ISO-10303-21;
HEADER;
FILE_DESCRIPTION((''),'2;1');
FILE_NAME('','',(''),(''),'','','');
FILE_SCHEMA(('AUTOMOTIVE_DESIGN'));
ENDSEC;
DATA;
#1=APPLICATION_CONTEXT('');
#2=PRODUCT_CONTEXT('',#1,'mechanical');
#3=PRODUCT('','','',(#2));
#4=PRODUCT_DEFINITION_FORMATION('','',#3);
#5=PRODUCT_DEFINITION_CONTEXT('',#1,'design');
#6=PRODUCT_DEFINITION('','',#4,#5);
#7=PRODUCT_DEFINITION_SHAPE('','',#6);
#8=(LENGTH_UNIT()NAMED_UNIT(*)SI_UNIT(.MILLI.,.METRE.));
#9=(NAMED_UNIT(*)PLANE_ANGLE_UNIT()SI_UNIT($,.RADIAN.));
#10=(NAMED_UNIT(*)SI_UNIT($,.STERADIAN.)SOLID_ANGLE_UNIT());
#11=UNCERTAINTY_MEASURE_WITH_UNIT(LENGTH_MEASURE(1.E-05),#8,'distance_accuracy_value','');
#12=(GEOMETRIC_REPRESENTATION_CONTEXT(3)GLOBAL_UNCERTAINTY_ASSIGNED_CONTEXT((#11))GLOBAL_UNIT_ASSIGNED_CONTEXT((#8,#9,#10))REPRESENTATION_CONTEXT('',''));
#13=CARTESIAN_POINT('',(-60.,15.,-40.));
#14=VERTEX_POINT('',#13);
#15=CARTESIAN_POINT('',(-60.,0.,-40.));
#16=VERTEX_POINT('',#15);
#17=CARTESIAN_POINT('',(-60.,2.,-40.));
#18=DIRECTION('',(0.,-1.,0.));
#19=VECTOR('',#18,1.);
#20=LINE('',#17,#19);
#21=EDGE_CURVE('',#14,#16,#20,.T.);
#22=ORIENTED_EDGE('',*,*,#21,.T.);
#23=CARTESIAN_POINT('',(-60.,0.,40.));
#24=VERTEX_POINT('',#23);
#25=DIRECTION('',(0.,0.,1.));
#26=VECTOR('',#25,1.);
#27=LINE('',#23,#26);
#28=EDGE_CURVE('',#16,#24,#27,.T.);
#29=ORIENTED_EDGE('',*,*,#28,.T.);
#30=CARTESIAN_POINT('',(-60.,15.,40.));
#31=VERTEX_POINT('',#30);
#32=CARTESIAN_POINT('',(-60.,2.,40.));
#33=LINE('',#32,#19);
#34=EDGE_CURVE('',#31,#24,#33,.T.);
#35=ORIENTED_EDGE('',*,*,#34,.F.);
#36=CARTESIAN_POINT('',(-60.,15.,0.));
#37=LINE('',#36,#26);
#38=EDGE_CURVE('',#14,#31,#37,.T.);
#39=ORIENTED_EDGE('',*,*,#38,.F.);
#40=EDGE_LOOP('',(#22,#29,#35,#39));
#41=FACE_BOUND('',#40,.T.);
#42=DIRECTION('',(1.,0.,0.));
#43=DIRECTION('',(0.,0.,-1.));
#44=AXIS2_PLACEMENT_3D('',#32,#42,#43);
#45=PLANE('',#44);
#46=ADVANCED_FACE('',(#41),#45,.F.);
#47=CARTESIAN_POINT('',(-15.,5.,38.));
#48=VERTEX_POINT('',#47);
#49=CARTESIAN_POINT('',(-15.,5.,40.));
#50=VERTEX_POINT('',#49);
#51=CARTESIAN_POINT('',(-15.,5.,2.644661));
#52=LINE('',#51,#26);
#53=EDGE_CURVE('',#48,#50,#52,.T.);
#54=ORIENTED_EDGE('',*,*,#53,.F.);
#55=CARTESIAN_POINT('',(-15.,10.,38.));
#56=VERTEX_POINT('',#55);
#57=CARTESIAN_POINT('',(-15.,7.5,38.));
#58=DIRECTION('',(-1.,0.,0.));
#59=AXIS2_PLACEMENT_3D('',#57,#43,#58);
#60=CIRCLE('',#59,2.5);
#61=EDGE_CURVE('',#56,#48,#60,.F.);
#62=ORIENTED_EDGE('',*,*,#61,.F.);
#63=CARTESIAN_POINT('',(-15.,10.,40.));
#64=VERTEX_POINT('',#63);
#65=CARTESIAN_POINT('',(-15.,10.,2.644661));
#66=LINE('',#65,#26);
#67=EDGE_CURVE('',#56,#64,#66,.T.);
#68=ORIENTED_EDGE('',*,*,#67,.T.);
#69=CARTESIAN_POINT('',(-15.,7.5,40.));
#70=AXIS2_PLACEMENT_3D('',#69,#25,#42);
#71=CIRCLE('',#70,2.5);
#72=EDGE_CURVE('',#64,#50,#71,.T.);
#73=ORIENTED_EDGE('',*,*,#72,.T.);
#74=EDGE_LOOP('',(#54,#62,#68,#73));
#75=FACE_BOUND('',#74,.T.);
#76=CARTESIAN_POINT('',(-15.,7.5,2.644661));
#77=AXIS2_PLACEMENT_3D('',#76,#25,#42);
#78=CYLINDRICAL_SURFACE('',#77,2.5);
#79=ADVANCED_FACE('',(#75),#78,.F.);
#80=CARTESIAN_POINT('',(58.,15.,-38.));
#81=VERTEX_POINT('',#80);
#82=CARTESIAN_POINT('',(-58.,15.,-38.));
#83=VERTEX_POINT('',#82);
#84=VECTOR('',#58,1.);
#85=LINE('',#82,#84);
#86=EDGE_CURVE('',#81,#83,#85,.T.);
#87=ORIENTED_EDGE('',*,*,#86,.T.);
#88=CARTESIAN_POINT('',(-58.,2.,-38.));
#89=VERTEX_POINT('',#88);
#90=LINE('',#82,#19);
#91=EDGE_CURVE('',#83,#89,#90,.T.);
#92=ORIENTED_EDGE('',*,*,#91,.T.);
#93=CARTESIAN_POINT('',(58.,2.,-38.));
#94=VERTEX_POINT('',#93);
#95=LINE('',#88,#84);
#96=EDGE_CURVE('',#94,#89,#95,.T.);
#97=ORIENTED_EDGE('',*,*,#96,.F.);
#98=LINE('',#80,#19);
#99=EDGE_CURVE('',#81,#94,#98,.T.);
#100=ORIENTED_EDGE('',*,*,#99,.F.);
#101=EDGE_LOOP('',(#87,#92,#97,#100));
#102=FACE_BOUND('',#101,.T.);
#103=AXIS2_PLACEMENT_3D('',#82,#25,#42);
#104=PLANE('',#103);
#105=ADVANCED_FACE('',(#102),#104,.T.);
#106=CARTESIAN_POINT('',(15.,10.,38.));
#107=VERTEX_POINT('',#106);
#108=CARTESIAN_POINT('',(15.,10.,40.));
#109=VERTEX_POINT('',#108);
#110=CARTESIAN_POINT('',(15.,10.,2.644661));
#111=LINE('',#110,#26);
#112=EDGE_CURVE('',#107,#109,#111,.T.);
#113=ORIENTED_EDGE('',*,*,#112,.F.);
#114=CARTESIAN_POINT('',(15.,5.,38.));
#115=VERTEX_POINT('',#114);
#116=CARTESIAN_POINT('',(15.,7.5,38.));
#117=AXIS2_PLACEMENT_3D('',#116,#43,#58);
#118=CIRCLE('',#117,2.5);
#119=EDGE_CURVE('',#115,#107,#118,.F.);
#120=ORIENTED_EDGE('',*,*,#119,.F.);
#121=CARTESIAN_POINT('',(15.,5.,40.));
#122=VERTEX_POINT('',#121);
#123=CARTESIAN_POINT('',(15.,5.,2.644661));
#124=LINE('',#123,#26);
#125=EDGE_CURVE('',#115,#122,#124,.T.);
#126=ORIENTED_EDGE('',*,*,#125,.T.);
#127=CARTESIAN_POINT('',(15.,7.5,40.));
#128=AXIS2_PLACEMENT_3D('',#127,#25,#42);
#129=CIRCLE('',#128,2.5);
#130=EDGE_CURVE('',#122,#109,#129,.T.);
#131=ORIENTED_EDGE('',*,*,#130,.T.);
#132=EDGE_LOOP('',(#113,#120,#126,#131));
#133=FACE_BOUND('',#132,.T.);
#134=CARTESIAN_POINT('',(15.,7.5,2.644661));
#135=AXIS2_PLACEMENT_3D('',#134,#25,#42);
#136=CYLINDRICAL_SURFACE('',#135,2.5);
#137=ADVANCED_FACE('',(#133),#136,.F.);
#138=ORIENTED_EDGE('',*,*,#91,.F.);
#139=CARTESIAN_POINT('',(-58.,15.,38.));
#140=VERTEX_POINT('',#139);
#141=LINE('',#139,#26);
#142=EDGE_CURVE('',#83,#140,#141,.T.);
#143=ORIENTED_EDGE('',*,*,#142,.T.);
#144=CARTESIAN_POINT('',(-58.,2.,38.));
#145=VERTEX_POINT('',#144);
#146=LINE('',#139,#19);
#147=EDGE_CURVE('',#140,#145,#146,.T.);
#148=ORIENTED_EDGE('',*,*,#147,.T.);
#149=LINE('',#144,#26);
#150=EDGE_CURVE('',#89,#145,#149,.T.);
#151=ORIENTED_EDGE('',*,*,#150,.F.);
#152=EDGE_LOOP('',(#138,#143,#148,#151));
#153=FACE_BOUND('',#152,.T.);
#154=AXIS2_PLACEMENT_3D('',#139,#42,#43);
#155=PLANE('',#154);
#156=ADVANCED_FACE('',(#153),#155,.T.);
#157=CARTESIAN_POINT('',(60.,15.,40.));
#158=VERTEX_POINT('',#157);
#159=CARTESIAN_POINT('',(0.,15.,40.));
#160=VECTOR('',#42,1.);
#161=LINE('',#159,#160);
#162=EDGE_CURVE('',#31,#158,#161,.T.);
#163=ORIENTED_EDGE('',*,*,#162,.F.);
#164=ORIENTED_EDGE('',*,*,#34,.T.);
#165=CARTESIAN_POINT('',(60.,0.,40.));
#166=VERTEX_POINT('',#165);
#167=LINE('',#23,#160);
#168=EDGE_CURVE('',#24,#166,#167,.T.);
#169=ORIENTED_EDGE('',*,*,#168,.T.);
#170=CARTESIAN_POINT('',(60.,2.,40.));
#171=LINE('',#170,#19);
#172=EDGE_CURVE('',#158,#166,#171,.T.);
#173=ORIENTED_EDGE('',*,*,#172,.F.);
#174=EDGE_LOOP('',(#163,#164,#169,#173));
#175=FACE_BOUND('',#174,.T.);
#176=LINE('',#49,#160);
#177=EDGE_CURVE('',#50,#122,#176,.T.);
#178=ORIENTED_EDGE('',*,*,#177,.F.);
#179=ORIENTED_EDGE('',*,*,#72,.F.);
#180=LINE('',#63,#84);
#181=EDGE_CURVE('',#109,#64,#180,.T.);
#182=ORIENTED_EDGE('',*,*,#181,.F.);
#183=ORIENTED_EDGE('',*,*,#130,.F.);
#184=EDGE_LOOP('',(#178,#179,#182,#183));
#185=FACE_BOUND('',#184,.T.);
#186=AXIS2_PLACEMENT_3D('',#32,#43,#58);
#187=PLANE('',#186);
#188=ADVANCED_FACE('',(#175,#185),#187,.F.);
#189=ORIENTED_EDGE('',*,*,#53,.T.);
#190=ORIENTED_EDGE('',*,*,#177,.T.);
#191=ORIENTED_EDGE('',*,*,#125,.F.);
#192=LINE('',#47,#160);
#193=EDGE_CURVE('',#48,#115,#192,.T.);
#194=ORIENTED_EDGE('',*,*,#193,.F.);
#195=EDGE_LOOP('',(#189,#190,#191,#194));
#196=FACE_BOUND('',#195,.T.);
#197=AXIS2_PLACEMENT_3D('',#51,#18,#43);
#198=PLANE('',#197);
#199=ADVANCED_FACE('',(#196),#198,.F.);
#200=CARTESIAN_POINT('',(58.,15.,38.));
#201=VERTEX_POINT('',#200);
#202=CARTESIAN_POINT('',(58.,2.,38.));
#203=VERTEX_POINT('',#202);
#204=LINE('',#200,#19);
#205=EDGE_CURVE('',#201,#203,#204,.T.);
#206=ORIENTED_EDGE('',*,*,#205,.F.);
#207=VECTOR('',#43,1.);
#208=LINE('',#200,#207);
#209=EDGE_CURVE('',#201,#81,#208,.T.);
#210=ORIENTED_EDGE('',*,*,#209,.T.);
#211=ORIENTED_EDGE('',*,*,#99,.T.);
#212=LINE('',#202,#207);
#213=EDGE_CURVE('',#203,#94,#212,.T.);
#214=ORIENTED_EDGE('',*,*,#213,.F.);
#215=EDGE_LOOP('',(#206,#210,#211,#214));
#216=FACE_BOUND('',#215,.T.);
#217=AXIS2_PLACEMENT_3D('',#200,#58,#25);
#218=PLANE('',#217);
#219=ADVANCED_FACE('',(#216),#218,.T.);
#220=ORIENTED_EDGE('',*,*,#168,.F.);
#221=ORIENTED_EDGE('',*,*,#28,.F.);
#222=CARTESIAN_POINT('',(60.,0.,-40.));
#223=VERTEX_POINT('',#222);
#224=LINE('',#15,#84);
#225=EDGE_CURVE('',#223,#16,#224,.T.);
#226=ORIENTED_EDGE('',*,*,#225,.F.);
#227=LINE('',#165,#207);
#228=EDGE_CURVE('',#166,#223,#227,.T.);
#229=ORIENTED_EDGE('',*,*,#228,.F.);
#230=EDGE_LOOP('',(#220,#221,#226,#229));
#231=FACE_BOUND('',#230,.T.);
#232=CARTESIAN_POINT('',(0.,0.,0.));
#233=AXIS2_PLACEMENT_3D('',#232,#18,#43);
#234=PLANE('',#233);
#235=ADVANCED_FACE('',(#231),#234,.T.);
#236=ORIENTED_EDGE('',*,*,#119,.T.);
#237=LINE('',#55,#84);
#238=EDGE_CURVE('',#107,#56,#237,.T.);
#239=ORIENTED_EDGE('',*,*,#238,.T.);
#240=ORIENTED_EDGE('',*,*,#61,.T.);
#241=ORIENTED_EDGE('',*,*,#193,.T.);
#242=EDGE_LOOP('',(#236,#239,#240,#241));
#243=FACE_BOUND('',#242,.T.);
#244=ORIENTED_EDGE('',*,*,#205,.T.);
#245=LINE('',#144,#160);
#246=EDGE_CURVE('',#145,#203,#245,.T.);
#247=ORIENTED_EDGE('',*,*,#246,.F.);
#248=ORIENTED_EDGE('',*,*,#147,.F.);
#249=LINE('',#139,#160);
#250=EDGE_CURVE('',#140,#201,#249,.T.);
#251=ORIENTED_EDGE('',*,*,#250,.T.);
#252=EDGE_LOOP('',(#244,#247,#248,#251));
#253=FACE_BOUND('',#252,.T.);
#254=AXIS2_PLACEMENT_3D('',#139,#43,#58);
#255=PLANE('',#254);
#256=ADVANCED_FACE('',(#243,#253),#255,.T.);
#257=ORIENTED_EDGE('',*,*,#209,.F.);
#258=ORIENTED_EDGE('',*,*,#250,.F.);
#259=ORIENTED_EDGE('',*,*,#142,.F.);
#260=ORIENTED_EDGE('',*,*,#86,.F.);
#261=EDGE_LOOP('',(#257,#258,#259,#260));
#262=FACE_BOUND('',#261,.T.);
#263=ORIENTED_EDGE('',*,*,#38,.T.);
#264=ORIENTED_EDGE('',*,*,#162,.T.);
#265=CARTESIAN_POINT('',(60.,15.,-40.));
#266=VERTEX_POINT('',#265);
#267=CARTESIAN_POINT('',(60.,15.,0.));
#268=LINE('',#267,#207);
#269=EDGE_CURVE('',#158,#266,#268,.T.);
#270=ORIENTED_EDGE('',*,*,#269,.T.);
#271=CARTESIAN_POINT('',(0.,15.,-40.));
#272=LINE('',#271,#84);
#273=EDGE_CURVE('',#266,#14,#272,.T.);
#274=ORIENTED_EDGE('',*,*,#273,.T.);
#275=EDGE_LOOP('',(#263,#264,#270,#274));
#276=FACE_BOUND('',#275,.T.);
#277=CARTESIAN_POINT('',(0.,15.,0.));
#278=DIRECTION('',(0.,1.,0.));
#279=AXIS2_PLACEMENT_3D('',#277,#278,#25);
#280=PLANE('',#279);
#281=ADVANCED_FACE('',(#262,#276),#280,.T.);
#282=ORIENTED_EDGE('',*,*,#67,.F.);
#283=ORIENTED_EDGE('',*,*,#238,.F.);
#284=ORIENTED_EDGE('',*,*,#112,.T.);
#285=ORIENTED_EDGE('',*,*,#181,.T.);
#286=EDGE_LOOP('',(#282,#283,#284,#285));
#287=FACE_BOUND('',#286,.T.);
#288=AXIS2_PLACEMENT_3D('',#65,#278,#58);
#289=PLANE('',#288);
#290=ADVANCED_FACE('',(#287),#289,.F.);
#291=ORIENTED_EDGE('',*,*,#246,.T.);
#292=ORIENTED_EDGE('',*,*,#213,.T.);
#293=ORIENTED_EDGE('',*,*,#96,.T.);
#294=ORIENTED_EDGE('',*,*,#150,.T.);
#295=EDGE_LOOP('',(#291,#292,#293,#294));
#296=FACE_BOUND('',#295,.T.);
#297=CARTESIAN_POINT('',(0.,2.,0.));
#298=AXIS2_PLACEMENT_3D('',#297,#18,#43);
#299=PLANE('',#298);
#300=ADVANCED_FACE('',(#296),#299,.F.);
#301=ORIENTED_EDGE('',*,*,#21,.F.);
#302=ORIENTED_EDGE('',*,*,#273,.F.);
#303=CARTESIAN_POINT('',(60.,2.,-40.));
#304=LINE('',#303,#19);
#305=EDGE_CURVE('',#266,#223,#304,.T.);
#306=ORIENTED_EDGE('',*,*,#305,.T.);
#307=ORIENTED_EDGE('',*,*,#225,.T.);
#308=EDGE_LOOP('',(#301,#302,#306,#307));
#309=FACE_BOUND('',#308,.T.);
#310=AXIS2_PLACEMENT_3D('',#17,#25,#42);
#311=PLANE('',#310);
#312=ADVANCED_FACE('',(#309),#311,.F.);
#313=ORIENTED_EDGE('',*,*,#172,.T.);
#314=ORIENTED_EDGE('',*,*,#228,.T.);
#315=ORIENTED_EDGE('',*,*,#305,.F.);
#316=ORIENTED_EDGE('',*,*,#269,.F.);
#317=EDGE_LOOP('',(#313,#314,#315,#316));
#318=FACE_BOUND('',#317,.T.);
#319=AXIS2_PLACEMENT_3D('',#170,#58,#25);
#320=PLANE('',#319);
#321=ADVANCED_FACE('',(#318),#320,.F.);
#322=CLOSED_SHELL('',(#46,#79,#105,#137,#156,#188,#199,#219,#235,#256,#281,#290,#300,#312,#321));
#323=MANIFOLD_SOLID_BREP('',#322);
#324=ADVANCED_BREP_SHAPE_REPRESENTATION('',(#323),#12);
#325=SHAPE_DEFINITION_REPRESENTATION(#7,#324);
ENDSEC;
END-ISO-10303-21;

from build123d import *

# Parameters (mm, degrees)
ESBO_O1_W                = 120
ESBO_O1_H                = 80
RESSALTO_EXTRUS_O2_DEPTH = 2
ESBO_O2_W                = 120
ESBO_O2_H                = 80
ESBO_O2_W_2              = 116
ESBO_O2_H_2              = 76
EXTRUS_O_FINA1_DEPTH     = 13
CORTE_EXTRUS_O1_DEPTH    = 2


with BuildPart() as part:
    # Esboço1 → Ressalto-extrusão2 (new body)
    with BuildSketch(Plane(origin=(0, 0, 0), x_dir=(1, 0, 0), z_dir=(0, 1, 0))):
        Rectangle(ESBO_O1_W, ESBO_O1_H)
    extrude(amount=RESSALTO_EXTRUS_O2_DEPTH)

    # Esboço2 → Extrusão-Fina1 (add)
    with BuildSketch(Plane(origin=(0, 2, 0), x_dir=(1, 0, 0), z_dir=(0, 1, 0))):
        Rectangle(ESBO_O2_W, ESBO_O2_H)
        Rectangle(ESBO_O2_W_2, ESBO_O2_H_2, mode=Mode.SUBTRACT)
    extrude(amount=EXTRUS_O_FINA1_DEPTH)

    # Esboço3 → Corte-extrusão1 (cut)
    with BuildSketch(Plane.XY.offset(40)):
        with BuildLine():
            Line((-15, 10), (15, 10))
            ThreePointArc((15, 10), (17.5, 7.5), (15, 5))
            Line((15, 5), (-15, 5))
            ThreePointArc((-15, 5), (-17.5, 7.5), (-15, 10))
        make_face()
    extrude(amount=-CORTE_EXTRUS_O1_DEPTH, mode=Mode.SUBTRACT)


solid = part.part
